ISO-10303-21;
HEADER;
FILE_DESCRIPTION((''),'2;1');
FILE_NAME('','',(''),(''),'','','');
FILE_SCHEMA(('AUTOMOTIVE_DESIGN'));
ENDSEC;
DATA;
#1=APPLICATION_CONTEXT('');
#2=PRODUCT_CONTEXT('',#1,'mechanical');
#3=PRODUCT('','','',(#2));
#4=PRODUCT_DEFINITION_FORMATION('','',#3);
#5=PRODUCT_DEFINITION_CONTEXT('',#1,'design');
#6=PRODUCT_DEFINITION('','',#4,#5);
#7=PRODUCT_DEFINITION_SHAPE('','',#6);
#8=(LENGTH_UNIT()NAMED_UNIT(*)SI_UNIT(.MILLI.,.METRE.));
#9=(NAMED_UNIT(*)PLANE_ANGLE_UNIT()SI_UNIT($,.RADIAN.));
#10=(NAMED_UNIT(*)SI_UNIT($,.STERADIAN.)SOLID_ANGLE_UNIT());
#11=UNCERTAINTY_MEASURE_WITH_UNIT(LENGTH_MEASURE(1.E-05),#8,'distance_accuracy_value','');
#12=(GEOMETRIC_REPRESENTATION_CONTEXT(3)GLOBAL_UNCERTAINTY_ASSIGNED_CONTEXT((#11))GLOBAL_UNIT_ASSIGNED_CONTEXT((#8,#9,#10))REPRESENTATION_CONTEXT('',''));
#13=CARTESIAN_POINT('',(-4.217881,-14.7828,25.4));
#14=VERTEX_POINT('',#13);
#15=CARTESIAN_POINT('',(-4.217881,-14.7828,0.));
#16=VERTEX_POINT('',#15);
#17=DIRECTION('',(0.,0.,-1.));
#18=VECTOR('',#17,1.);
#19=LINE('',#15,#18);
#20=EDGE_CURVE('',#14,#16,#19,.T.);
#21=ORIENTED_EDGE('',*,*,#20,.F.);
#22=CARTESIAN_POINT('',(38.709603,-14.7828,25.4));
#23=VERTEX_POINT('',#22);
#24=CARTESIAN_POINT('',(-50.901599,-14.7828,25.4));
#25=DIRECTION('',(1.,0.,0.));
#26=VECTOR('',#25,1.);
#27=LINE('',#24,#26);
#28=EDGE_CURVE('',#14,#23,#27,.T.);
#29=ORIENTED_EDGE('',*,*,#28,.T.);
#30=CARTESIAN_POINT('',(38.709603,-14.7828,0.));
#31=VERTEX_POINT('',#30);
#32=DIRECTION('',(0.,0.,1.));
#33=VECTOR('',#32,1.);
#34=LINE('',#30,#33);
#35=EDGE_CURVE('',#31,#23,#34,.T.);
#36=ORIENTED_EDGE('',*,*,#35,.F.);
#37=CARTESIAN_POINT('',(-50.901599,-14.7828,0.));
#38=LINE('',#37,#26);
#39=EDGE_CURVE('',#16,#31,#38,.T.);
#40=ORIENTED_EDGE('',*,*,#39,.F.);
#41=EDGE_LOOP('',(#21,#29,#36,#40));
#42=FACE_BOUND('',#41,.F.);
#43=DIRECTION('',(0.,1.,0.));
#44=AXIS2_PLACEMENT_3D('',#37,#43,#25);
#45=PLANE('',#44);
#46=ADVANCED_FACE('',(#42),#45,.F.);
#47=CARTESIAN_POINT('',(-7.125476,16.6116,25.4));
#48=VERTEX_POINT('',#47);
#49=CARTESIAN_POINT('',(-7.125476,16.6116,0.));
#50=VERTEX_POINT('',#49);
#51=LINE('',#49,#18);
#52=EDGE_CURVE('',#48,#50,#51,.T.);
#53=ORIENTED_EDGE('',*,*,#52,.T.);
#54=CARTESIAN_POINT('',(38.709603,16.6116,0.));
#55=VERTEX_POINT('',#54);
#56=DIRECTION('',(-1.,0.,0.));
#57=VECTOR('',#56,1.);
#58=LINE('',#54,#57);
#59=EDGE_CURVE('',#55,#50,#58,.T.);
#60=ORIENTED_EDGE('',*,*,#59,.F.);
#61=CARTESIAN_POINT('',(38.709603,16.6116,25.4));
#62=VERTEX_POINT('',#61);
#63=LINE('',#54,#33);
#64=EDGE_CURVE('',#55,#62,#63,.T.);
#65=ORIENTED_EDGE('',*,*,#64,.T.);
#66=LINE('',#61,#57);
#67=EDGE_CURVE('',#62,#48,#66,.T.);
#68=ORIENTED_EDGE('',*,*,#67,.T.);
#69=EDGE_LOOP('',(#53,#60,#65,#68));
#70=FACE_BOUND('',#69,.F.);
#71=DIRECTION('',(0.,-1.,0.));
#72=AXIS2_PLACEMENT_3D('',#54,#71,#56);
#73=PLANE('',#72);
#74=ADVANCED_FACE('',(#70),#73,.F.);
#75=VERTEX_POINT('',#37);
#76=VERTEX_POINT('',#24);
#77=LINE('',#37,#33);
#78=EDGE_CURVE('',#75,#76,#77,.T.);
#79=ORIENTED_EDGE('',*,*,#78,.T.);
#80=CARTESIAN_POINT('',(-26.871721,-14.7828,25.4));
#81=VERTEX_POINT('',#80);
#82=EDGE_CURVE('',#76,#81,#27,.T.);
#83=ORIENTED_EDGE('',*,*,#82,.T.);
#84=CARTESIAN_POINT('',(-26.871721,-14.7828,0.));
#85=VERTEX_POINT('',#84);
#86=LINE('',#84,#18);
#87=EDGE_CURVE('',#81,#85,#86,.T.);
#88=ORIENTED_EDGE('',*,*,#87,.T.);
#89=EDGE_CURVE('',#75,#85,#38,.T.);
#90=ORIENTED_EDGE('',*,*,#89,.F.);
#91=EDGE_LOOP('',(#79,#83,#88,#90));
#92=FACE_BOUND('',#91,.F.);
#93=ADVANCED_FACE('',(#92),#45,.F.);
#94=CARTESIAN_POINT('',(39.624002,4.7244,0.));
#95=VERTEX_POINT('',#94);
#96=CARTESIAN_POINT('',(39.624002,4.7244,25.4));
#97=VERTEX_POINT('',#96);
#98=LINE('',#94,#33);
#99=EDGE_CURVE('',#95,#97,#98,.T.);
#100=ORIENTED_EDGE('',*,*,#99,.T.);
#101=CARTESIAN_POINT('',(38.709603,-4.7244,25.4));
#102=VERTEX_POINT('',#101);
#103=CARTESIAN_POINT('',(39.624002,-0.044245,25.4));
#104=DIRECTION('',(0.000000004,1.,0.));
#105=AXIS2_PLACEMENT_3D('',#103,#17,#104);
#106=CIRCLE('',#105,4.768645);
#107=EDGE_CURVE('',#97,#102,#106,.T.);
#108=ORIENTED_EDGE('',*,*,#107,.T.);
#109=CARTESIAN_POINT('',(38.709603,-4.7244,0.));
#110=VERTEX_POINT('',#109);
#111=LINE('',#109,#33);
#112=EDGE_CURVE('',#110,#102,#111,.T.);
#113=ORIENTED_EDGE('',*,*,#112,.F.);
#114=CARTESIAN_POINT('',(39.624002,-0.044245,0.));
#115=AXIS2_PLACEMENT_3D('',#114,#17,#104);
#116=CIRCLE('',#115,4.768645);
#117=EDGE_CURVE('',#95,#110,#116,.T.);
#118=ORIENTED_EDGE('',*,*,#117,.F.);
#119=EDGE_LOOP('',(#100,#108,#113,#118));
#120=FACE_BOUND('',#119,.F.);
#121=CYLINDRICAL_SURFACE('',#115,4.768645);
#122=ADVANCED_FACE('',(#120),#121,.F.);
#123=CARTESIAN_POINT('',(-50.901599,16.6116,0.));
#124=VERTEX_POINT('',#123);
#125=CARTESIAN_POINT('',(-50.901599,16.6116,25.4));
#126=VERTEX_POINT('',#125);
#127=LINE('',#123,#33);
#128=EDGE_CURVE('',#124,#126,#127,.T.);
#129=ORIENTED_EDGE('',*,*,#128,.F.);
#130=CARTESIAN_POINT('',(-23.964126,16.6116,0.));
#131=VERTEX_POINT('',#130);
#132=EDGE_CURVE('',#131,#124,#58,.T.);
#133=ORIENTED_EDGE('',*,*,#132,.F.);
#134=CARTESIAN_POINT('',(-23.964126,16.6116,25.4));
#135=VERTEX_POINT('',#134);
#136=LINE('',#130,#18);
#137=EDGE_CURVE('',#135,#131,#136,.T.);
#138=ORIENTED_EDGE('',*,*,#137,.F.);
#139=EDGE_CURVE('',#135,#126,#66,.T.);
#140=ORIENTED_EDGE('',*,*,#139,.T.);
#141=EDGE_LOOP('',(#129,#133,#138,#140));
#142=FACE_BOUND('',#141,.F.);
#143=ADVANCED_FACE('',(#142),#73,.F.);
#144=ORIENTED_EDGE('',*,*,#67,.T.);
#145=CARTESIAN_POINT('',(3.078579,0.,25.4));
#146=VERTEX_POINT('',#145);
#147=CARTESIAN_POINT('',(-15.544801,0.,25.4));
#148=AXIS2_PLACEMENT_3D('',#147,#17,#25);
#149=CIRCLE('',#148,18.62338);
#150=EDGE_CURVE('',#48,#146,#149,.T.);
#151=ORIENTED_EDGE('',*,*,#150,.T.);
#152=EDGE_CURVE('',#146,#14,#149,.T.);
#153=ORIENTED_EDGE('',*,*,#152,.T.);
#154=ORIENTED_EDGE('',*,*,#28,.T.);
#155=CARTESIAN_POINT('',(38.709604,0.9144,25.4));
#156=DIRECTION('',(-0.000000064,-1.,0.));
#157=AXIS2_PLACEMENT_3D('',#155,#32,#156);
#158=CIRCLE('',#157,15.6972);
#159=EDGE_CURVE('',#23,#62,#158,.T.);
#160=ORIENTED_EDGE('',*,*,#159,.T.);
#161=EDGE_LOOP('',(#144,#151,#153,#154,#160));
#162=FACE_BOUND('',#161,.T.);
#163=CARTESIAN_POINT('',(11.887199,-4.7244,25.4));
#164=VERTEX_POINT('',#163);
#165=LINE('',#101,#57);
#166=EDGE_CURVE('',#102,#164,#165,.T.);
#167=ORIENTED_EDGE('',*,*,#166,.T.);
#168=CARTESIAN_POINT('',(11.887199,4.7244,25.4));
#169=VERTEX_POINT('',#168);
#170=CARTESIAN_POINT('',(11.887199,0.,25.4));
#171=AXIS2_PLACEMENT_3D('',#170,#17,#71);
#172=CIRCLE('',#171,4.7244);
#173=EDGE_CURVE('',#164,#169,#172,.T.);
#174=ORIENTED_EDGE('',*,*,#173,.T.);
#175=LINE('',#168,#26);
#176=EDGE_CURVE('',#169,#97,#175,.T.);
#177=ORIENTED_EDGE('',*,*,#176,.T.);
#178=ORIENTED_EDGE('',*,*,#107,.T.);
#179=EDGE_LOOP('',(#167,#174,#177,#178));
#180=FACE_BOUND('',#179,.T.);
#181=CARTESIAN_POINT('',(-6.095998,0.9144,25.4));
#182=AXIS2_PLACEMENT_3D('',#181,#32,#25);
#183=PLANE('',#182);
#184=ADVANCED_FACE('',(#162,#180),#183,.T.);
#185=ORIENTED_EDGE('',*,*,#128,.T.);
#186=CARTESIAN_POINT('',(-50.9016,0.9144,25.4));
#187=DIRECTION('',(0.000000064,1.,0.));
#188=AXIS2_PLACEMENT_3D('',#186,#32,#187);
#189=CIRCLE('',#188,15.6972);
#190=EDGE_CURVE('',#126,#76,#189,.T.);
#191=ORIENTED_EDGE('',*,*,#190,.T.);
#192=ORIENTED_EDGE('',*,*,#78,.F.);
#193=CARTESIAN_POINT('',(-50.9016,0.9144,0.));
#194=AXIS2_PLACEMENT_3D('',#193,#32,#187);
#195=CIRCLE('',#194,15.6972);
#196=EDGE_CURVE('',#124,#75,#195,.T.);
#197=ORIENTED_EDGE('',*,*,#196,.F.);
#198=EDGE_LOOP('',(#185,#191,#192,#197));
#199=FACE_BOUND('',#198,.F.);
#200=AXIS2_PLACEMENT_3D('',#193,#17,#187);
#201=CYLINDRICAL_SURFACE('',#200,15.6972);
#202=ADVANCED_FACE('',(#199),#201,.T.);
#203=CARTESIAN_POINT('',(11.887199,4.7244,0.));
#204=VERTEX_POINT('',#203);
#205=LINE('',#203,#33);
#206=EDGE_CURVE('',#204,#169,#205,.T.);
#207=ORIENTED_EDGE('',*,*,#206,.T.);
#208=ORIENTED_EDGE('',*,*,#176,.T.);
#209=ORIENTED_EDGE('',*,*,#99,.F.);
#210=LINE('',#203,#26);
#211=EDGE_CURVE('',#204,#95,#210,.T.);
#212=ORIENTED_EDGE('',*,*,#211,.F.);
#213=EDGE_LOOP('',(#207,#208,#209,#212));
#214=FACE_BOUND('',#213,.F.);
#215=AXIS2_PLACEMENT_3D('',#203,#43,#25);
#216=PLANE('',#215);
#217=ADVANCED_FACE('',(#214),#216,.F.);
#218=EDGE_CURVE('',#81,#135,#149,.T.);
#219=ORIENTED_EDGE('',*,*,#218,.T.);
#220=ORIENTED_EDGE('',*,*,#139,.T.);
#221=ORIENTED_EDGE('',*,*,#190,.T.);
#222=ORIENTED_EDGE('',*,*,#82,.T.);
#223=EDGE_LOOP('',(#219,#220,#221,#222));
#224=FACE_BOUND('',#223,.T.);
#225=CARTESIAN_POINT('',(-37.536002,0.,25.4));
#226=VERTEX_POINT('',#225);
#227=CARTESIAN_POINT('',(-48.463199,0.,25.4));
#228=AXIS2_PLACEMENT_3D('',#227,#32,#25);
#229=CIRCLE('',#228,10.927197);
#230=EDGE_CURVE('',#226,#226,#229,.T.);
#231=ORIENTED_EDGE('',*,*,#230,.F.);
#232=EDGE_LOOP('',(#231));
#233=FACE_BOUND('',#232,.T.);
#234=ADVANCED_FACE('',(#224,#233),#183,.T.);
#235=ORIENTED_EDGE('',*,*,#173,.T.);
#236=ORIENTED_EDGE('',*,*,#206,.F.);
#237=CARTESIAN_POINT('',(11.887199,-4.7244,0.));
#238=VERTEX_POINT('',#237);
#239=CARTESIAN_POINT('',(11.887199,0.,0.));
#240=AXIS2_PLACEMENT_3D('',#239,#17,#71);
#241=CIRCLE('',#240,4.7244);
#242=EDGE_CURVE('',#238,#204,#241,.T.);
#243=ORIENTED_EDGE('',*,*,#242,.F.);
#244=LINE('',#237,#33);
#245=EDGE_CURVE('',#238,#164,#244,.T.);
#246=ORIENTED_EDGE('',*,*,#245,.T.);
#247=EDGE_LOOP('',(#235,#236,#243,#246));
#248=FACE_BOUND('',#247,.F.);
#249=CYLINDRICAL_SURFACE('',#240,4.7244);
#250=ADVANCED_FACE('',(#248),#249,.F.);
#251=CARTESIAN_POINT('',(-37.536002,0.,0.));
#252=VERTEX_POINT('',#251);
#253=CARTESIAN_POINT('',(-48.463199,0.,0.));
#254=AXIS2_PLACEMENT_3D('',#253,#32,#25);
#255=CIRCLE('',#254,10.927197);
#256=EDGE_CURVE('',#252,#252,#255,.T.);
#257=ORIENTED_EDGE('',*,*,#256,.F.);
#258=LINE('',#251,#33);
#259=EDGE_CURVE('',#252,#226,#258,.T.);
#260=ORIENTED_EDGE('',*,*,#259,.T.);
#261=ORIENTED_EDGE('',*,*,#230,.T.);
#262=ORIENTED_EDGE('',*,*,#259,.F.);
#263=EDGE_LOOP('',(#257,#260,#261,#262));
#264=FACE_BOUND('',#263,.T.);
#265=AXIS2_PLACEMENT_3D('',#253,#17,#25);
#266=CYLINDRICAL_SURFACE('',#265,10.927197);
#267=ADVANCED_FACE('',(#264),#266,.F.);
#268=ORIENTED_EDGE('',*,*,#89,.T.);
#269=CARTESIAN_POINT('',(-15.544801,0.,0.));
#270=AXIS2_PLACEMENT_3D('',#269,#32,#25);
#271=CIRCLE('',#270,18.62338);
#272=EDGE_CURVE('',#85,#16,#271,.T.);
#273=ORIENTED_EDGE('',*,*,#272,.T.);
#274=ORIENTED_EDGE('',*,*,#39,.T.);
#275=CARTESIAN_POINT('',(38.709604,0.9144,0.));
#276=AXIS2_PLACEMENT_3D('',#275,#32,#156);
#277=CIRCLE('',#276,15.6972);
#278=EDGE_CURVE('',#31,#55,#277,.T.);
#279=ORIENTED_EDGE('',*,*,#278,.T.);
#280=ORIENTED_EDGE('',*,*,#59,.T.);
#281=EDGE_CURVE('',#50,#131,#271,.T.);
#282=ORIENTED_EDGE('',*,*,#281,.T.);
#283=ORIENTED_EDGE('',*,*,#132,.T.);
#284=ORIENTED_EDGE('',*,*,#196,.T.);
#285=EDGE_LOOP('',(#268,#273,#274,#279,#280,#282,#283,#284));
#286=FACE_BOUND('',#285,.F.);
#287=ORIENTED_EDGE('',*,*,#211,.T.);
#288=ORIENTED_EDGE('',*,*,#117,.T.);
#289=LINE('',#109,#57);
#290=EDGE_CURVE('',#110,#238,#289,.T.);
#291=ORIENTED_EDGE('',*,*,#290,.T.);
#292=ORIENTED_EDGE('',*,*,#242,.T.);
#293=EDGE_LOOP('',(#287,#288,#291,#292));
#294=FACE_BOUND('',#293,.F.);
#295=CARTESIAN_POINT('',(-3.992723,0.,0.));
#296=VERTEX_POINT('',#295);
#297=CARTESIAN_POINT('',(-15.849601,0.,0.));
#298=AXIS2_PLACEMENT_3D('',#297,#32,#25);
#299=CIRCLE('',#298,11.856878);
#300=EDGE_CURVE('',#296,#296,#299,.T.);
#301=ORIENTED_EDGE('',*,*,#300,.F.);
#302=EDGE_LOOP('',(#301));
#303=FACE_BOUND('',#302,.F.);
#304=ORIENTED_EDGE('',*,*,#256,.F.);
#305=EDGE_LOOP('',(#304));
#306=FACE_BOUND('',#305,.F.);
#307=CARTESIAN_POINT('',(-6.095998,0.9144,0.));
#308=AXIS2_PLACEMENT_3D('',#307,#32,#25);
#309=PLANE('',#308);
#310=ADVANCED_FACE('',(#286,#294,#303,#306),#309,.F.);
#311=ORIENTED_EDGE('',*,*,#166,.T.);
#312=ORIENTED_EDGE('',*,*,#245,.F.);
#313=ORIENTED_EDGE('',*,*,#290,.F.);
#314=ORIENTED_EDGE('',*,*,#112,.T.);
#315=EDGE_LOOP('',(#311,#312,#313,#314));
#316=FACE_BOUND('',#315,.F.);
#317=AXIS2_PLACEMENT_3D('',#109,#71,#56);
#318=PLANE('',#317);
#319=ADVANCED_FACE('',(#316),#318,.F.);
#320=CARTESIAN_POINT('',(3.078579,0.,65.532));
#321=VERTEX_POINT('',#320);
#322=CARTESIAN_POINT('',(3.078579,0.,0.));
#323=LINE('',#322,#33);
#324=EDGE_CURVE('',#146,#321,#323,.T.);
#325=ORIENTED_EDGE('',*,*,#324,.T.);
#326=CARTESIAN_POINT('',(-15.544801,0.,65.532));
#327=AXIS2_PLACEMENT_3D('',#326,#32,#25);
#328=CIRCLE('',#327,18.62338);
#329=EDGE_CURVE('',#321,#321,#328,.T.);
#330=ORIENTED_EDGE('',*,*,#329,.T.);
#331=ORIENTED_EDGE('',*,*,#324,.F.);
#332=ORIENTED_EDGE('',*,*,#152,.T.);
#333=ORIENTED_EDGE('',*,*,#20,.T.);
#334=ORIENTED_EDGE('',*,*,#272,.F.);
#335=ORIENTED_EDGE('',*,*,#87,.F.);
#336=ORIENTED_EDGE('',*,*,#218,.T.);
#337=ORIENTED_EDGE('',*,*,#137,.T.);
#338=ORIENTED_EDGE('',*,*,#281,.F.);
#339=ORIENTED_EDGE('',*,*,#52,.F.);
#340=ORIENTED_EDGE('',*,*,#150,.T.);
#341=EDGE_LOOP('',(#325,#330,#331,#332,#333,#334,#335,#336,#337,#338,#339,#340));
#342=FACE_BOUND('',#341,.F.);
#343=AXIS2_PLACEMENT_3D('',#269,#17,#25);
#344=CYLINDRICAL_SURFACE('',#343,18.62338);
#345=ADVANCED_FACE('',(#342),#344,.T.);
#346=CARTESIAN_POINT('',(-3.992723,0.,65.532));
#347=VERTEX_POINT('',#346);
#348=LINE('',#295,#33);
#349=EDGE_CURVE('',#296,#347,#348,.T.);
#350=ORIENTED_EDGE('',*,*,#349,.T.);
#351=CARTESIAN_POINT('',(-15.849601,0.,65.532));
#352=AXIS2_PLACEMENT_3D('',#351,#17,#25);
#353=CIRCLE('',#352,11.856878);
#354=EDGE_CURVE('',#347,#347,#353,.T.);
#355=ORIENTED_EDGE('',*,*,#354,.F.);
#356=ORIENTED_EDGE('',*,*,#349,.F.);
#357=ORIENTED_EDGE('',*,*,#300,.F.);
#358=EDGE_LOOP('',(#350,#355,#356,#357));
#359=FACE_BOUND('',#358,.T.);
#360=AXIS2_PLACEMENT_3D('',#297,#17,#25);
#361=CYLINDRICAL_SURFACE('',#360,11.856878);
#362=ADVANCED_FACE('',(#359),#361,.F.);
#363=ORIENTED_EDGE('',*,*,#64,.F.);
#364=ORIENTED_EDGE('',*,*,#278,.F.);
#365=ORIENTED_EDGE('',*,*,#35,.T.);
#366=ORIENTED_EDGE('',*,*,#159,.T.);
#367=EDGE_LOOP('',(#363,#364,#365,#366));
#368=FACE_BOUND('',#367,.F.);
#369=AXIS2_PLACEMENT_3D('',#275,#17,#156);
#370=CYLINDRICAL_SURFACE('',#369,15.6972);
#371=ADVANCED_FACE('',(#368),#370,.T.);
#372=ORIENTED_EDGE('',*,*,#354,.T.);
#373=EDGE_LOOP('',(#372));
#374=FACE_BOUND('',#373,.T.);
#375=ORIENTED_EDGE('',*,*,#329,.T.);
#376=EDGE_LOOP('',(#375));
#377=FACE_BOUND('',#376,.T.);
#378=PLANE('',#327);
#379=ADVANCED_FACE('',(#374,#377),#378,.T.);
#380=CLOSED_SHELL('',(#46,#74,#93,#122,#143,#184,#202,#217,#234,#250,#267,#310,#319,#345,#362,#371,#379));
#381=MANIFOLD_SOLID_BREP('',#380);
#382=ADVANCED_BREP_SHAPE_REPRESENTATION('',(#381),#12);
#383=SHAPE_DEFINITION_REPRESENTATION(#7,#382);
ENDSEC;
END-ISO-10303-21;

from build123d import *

# Parameters (mm, degrees)
F0_R     = 10.927197
F2_DEPTH = 25.4
F1_R     = 18.62338
F3_DEPTH = 65.532
F4_R     = 11.856878
F5_DEPTH = 104.902


with BuildPart() as f2:
    # F0 (on Top) → F2 (new body)
    with BuildSketch(Plane.XY):
        with BuildLine():
            Line((-50.901599, -14.7828), (38.709603, -14.7828))
            ThreePointArc((38.709603, -14.7828), (54.406804, 0.9144), (38.709603, 16.6116))
            Line((38.709603, 16.6116), (-50.901599, 16.6116))
            ThreePointArc((-50.901599, 16.6116), (-66.5988, 0.9144), (-50.901599, -14.7828))
        make_face()
        with Locations((-48.463199, 0)):
            Circle(F0_R, mode=Mode.SUBTRACT)
        with BuildLine():
            ThreePointArc((11.887199, -4.7244), (7.162799, 0), (11.887199, 4.7244))
            Line((11.887199, 4.7244), (39.624002, 4.7244))
            ThreePointArc((39.624002, 4.7244), (44.370473, -0.50358), (38.709603, -4.7244))
            Line((38.709603, -4.7244), (11.887199, -4.7244))
        make_face(mode=Mode.SUBTRACT)
    extrude(amount=F2_DEPTH)

    # F1 (on Top) → F3 (join)
    with BuildSketch(Plane.XY):
        with Locations((-15.544801, 0)):
            Circle(F1_R)
    extrude(amount=F3_DEPTH)

    # F4 (on Top) → F5 (cut)
    with BuildSketch(Plane.XY):
        with Locations((-15.849601, 0)):
            Circle(F4_R)
    extrude(amount=F5_DEPTH, mode=Mode.SUBTRACT)


solid = f2.part
